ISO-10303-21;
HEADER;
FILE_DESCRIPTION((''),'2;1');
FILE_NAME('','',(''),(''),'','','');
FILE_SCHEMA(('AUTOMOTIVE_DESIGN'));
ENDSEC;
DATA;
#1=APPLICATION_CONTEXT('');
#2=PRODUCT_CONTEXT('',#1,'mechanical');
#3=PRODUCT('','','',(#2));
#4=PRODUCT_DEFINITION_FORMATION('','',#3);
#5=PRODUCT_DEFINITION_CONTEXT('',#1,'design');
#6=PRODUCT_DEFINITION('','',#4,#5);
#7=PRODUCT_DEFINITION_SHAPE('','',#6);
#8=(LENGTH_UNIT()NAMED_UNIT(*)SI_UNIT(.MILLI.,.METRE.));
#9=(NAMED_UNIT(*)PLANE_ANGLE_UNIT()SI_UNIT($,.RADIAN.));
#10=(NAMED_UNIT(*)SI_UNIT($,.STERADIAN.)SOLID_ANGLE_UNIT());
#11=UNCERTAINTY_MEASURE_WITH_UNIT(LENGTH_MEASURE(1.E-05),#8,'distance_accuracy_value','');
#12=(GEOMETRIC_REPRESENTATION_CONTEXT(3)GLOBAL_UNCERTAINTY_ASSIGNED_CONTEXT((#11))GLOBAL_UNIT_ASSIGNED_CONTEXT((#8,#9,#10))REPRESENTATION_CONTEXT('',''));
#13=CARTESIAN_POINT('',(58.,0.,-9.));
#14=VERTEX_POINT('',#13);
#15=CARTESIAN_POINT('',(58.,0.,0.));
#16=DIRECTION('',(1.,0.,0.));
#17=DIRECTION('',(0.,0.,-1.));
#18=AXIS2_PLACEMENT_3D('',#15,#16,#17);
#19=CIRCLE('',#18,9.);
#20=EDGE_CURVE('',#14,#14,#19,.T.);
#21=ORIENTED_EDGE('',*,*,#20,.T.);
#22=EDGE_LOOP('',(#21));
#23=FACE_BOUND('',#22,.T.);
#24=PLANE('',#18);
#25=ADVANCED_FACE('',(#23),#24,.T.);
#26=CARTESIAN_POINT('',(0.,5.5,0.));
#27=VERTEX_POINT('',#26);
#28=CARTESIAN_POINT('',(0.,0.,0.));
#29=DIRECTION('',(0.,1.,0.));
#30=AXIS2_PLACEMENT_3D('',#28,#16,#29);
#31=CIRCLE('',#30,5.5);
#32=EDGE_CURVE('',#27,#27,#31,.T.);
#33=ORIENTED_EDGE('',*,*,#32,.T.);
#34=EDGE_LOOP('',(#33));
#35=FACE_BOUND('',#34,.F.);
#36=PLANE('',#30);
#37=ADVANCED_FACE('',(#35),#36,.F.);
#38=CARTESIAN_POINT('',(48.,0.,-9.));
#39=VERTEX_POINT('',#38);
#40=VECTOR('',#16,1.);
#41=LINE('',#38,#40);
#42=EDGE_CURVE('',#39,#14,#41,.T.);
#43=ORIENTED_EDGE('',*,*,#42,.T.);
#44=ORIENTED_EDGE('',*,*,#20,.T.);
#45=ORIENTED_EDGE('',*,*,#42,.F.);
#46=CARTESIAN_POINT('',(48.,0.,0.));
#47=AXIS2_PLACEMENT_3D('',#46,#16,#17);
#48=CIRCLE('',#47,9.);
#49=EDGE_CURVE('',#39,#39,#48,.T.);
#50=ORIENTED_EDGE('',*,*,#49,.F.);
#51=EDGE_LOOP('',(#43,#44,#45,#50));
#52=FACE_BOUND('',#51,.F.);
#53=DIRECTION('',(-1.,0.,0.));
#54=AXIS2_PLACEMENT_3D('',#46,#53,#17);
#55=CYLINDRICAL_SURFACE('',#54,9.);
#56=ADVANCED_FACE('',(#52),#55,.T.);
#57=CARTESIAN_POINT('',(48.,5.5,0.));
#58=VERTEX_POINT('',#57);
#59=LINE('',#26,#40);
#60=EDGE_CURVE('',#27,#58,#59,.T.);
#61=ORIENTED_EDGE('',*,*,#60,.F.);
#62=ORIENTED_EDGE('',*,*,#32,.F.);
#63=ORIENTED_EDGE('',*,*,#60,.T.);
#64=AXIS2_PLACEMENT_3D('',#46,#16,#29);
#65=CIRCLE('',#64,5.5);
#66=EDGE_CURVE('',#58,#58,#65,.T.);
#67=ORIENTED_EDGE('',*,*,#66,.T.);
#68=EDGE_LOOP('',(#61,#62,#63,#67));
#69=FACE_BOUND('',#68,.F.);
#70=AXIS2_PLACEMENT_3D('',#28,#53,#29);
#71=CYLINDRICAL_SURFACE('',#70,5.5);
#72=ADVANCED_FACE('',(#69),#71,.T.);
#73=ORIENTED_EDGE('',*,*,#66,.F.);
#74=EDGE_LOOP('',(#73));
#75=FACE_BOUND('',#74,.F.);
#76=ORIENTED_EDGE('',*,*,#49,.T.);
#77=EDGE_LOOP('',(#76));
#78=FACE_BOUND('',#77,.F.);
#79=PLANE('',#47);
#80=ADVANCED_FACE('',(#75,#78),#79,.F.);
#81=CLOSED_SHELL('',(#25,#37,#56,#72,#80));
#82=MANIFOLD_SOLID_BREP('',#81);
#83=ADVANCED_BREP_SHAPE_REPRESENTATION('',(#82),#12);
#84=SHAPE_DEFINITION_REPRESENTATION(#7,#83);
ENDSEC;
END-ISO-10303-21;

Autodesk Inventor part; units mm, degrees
ref_plane "YZ Plane" through (0, 0, 0) normal (1, 0, 0) x (0, 1, 0)
ref_plane "XZ Plane" through (0, 0, 0) normal (0, 1, 0) x (-1, 0, 0)
ref_plane "XY Plane" through (0, 0, 0) normal (0, 0, 1) x (1, 0, 0)
sketch "Sketch1" plane through (0, 0, 0) normal (1, 0, 0) x (0, 1, 0)
  circle A0 centre (0, 0) radius 5.5
  dimension "d0" = 11
extrude "Extrusion1" add sketch "Sketch1" along normal blind 48
sketch "Sketch3" plane through (48, 0, 0) normal (1, 0, 0) x (0, 0, -1)
  circle A0 centre (0, 0) radius 9
  dimension "d10" = 18
extrude "Extrusion2" add sketch "Sketch3" along normal blind 10
properties part number "Laser body" material "Aluminum 6061"
